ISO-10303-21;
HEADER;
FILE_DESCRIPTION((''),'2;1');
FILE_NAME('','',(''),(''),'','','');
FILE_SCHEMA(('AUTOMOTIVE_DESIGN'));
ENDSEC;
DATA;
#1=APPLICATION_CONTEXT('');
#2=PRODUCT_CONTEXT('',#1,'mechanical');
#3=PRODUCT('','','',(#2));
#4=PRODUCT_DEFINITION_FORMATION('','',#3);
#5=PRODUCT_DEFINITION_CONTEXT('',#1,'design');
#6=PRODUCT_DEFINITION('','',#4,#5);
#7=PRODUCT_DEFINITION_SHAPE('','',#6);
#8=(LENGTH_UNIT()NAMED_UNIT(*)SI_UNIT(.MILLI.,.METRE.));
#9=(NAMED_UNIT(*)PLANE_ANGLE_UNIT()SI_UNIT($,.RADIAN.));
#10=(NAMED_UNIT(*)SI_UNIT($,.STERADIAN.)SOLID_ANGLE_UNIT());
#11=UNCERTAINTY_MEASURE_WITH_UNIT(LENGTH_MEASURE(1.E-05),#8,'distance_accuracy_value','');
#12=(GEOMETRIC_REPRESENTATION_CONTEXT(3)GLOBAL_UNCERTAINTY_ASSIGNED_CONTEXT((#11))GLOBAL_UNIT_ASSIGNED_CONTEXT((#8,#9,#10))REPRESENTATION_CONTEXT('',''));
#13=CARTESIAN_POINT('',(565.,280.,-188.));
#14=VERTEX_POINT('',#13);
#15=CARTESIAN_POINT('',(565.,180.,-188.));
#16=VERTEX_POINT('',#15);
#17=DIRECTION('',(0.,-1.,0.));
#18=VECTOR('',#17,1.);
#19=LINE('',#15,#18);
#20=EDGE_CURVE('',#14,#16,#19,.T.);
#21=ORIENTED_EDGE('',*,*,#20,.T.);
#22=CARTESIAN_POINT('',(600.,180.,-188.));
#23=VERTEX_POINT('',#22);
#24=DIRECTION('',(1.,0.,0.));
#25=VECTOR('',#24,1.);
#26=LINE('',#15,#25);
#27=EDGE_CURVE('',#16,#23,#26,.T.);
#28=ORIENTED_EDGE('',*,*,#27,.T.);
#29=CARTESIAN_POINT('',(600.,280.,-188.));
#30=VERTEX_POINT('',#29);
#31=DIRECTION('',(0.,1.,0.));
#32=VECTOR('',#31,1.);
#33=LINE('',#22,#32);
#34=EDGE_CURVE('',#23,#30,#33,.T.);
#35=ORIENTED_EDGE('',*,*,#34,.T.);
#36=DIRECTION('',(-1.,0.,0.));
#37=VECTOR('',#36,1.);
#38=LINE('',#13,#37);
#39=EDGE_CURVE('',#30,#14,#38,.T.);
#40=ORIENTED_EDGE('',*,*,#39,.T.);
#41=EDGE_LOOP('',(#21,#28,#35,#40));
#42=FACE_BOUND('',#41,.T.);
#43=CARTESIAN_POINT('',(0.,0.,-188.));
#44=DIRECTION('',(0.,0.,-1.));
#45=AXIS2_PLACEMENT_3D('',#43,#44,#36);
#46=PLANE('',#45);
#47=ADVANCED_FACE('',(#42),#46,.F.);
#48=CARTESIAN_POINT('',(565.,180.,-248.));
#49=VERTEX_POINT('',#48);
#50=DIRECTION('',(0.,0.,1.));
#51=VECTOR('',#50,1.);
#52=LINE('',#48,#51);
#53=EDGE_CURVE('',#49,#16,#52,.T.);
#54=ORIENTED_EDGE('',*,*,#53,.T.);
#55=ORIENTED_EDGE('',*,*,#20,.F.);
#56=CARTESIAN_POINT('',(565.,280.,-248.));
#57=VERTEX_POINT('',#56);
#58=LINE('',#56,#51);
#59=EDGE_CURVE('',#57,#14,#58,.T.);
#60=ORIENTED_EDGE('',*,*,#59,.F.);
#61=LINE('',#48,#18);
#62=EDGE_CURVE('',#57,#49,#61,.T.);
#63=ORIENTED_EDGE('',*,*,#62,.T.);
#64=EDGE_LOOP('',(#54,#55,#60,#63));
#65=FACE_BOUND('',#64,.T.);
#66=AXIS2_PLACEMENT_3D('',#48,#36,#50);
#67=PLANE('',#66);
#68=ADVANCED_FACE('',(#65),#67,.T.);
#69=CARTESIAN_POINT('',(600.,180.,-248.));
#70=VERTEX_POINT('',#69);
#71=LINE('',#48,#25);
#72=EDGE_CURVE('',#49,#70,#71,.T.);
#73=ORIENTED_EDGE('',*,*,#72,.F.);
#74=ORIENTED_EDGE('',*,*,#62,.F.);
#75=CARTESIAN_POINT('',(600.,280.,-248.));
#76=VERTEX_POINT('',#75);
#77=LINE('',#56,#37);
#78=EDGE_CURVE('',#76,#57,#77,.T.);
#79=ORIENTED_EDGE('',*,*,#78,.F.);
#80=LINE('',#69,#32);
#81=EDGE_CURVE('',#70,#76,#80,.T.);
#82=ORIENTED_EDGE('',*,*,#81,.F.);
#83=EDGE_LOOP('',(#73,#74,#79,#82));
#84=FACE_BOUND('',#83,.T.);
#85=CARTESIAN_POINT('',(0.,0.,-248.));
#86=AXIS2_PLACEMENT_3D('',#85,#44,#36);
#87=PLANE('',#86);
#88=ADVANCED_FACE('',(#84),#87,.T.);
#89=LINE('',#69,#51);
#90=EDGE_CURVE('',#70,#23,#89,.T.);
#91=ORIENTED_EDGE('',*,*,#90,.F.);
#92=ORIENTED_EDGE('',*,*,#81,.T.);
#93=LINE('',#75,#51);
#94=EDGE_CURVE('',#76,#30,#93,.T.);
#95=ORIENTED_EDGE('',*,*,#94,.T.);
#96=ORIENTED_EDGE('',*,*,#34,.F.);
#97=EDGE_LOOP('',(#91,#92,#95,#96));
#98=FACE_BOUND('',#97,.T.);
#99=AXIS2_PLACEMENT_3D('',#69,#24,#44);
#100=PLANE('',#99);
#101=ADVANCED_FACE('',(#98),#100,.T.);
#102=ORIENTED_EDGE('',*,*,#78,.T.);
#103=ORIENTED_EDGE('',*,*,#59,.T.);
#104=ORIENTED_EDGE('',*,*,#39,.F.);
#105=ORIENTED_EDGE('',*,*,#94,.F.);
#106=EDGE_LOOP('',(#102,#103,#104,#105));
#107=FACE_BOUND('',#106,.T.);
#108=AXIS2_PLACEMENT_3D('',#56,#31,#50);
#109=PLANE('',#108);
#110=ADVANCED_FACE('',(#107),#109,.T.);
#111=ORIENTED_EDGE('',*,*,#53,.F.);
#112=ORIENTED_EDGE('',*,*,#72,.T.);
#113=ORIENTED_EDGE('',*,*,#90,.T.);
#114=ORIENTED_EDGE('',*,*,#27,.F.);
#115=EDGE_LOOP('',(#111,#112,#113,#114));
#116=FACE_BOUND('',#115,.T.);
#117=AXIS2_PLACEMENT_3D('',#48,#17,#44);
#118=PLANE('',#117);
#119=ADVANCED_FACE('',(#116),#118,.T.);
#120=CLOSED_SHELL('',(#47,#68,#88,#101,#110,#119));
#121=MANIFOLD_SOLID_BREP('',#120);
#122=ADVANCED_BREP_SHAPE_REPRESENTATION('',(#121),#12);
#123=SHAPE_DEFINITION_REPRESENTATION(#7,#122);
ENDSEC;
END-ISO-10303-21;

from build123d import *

# Parameters (mm, degrees)
PACK_PANO_SERVO_SURUCU_2_1_START = -188
SKETCH1_W                        = 35
SKETCH1_H                        = 100
PACK_PANO_SERVO_SURUCU_2_1_DEPTH = 60


with BuildPart() as part:
    # Sketch1 → PACK_pano_servo_surucu_2_1 (new body)
    with BuildSketch(Plane.XY.offset(PACK_PANO_SERVO_SURUCU_2_1_START)):
        with Locations((582.5, 230)):
            Rectangle(SKETCH1_W, SKETCH1_H)
    extrude(amount=-PACK_PANO_SERVO_SURUCU_2_1_DEPTH)


solid = part.part
